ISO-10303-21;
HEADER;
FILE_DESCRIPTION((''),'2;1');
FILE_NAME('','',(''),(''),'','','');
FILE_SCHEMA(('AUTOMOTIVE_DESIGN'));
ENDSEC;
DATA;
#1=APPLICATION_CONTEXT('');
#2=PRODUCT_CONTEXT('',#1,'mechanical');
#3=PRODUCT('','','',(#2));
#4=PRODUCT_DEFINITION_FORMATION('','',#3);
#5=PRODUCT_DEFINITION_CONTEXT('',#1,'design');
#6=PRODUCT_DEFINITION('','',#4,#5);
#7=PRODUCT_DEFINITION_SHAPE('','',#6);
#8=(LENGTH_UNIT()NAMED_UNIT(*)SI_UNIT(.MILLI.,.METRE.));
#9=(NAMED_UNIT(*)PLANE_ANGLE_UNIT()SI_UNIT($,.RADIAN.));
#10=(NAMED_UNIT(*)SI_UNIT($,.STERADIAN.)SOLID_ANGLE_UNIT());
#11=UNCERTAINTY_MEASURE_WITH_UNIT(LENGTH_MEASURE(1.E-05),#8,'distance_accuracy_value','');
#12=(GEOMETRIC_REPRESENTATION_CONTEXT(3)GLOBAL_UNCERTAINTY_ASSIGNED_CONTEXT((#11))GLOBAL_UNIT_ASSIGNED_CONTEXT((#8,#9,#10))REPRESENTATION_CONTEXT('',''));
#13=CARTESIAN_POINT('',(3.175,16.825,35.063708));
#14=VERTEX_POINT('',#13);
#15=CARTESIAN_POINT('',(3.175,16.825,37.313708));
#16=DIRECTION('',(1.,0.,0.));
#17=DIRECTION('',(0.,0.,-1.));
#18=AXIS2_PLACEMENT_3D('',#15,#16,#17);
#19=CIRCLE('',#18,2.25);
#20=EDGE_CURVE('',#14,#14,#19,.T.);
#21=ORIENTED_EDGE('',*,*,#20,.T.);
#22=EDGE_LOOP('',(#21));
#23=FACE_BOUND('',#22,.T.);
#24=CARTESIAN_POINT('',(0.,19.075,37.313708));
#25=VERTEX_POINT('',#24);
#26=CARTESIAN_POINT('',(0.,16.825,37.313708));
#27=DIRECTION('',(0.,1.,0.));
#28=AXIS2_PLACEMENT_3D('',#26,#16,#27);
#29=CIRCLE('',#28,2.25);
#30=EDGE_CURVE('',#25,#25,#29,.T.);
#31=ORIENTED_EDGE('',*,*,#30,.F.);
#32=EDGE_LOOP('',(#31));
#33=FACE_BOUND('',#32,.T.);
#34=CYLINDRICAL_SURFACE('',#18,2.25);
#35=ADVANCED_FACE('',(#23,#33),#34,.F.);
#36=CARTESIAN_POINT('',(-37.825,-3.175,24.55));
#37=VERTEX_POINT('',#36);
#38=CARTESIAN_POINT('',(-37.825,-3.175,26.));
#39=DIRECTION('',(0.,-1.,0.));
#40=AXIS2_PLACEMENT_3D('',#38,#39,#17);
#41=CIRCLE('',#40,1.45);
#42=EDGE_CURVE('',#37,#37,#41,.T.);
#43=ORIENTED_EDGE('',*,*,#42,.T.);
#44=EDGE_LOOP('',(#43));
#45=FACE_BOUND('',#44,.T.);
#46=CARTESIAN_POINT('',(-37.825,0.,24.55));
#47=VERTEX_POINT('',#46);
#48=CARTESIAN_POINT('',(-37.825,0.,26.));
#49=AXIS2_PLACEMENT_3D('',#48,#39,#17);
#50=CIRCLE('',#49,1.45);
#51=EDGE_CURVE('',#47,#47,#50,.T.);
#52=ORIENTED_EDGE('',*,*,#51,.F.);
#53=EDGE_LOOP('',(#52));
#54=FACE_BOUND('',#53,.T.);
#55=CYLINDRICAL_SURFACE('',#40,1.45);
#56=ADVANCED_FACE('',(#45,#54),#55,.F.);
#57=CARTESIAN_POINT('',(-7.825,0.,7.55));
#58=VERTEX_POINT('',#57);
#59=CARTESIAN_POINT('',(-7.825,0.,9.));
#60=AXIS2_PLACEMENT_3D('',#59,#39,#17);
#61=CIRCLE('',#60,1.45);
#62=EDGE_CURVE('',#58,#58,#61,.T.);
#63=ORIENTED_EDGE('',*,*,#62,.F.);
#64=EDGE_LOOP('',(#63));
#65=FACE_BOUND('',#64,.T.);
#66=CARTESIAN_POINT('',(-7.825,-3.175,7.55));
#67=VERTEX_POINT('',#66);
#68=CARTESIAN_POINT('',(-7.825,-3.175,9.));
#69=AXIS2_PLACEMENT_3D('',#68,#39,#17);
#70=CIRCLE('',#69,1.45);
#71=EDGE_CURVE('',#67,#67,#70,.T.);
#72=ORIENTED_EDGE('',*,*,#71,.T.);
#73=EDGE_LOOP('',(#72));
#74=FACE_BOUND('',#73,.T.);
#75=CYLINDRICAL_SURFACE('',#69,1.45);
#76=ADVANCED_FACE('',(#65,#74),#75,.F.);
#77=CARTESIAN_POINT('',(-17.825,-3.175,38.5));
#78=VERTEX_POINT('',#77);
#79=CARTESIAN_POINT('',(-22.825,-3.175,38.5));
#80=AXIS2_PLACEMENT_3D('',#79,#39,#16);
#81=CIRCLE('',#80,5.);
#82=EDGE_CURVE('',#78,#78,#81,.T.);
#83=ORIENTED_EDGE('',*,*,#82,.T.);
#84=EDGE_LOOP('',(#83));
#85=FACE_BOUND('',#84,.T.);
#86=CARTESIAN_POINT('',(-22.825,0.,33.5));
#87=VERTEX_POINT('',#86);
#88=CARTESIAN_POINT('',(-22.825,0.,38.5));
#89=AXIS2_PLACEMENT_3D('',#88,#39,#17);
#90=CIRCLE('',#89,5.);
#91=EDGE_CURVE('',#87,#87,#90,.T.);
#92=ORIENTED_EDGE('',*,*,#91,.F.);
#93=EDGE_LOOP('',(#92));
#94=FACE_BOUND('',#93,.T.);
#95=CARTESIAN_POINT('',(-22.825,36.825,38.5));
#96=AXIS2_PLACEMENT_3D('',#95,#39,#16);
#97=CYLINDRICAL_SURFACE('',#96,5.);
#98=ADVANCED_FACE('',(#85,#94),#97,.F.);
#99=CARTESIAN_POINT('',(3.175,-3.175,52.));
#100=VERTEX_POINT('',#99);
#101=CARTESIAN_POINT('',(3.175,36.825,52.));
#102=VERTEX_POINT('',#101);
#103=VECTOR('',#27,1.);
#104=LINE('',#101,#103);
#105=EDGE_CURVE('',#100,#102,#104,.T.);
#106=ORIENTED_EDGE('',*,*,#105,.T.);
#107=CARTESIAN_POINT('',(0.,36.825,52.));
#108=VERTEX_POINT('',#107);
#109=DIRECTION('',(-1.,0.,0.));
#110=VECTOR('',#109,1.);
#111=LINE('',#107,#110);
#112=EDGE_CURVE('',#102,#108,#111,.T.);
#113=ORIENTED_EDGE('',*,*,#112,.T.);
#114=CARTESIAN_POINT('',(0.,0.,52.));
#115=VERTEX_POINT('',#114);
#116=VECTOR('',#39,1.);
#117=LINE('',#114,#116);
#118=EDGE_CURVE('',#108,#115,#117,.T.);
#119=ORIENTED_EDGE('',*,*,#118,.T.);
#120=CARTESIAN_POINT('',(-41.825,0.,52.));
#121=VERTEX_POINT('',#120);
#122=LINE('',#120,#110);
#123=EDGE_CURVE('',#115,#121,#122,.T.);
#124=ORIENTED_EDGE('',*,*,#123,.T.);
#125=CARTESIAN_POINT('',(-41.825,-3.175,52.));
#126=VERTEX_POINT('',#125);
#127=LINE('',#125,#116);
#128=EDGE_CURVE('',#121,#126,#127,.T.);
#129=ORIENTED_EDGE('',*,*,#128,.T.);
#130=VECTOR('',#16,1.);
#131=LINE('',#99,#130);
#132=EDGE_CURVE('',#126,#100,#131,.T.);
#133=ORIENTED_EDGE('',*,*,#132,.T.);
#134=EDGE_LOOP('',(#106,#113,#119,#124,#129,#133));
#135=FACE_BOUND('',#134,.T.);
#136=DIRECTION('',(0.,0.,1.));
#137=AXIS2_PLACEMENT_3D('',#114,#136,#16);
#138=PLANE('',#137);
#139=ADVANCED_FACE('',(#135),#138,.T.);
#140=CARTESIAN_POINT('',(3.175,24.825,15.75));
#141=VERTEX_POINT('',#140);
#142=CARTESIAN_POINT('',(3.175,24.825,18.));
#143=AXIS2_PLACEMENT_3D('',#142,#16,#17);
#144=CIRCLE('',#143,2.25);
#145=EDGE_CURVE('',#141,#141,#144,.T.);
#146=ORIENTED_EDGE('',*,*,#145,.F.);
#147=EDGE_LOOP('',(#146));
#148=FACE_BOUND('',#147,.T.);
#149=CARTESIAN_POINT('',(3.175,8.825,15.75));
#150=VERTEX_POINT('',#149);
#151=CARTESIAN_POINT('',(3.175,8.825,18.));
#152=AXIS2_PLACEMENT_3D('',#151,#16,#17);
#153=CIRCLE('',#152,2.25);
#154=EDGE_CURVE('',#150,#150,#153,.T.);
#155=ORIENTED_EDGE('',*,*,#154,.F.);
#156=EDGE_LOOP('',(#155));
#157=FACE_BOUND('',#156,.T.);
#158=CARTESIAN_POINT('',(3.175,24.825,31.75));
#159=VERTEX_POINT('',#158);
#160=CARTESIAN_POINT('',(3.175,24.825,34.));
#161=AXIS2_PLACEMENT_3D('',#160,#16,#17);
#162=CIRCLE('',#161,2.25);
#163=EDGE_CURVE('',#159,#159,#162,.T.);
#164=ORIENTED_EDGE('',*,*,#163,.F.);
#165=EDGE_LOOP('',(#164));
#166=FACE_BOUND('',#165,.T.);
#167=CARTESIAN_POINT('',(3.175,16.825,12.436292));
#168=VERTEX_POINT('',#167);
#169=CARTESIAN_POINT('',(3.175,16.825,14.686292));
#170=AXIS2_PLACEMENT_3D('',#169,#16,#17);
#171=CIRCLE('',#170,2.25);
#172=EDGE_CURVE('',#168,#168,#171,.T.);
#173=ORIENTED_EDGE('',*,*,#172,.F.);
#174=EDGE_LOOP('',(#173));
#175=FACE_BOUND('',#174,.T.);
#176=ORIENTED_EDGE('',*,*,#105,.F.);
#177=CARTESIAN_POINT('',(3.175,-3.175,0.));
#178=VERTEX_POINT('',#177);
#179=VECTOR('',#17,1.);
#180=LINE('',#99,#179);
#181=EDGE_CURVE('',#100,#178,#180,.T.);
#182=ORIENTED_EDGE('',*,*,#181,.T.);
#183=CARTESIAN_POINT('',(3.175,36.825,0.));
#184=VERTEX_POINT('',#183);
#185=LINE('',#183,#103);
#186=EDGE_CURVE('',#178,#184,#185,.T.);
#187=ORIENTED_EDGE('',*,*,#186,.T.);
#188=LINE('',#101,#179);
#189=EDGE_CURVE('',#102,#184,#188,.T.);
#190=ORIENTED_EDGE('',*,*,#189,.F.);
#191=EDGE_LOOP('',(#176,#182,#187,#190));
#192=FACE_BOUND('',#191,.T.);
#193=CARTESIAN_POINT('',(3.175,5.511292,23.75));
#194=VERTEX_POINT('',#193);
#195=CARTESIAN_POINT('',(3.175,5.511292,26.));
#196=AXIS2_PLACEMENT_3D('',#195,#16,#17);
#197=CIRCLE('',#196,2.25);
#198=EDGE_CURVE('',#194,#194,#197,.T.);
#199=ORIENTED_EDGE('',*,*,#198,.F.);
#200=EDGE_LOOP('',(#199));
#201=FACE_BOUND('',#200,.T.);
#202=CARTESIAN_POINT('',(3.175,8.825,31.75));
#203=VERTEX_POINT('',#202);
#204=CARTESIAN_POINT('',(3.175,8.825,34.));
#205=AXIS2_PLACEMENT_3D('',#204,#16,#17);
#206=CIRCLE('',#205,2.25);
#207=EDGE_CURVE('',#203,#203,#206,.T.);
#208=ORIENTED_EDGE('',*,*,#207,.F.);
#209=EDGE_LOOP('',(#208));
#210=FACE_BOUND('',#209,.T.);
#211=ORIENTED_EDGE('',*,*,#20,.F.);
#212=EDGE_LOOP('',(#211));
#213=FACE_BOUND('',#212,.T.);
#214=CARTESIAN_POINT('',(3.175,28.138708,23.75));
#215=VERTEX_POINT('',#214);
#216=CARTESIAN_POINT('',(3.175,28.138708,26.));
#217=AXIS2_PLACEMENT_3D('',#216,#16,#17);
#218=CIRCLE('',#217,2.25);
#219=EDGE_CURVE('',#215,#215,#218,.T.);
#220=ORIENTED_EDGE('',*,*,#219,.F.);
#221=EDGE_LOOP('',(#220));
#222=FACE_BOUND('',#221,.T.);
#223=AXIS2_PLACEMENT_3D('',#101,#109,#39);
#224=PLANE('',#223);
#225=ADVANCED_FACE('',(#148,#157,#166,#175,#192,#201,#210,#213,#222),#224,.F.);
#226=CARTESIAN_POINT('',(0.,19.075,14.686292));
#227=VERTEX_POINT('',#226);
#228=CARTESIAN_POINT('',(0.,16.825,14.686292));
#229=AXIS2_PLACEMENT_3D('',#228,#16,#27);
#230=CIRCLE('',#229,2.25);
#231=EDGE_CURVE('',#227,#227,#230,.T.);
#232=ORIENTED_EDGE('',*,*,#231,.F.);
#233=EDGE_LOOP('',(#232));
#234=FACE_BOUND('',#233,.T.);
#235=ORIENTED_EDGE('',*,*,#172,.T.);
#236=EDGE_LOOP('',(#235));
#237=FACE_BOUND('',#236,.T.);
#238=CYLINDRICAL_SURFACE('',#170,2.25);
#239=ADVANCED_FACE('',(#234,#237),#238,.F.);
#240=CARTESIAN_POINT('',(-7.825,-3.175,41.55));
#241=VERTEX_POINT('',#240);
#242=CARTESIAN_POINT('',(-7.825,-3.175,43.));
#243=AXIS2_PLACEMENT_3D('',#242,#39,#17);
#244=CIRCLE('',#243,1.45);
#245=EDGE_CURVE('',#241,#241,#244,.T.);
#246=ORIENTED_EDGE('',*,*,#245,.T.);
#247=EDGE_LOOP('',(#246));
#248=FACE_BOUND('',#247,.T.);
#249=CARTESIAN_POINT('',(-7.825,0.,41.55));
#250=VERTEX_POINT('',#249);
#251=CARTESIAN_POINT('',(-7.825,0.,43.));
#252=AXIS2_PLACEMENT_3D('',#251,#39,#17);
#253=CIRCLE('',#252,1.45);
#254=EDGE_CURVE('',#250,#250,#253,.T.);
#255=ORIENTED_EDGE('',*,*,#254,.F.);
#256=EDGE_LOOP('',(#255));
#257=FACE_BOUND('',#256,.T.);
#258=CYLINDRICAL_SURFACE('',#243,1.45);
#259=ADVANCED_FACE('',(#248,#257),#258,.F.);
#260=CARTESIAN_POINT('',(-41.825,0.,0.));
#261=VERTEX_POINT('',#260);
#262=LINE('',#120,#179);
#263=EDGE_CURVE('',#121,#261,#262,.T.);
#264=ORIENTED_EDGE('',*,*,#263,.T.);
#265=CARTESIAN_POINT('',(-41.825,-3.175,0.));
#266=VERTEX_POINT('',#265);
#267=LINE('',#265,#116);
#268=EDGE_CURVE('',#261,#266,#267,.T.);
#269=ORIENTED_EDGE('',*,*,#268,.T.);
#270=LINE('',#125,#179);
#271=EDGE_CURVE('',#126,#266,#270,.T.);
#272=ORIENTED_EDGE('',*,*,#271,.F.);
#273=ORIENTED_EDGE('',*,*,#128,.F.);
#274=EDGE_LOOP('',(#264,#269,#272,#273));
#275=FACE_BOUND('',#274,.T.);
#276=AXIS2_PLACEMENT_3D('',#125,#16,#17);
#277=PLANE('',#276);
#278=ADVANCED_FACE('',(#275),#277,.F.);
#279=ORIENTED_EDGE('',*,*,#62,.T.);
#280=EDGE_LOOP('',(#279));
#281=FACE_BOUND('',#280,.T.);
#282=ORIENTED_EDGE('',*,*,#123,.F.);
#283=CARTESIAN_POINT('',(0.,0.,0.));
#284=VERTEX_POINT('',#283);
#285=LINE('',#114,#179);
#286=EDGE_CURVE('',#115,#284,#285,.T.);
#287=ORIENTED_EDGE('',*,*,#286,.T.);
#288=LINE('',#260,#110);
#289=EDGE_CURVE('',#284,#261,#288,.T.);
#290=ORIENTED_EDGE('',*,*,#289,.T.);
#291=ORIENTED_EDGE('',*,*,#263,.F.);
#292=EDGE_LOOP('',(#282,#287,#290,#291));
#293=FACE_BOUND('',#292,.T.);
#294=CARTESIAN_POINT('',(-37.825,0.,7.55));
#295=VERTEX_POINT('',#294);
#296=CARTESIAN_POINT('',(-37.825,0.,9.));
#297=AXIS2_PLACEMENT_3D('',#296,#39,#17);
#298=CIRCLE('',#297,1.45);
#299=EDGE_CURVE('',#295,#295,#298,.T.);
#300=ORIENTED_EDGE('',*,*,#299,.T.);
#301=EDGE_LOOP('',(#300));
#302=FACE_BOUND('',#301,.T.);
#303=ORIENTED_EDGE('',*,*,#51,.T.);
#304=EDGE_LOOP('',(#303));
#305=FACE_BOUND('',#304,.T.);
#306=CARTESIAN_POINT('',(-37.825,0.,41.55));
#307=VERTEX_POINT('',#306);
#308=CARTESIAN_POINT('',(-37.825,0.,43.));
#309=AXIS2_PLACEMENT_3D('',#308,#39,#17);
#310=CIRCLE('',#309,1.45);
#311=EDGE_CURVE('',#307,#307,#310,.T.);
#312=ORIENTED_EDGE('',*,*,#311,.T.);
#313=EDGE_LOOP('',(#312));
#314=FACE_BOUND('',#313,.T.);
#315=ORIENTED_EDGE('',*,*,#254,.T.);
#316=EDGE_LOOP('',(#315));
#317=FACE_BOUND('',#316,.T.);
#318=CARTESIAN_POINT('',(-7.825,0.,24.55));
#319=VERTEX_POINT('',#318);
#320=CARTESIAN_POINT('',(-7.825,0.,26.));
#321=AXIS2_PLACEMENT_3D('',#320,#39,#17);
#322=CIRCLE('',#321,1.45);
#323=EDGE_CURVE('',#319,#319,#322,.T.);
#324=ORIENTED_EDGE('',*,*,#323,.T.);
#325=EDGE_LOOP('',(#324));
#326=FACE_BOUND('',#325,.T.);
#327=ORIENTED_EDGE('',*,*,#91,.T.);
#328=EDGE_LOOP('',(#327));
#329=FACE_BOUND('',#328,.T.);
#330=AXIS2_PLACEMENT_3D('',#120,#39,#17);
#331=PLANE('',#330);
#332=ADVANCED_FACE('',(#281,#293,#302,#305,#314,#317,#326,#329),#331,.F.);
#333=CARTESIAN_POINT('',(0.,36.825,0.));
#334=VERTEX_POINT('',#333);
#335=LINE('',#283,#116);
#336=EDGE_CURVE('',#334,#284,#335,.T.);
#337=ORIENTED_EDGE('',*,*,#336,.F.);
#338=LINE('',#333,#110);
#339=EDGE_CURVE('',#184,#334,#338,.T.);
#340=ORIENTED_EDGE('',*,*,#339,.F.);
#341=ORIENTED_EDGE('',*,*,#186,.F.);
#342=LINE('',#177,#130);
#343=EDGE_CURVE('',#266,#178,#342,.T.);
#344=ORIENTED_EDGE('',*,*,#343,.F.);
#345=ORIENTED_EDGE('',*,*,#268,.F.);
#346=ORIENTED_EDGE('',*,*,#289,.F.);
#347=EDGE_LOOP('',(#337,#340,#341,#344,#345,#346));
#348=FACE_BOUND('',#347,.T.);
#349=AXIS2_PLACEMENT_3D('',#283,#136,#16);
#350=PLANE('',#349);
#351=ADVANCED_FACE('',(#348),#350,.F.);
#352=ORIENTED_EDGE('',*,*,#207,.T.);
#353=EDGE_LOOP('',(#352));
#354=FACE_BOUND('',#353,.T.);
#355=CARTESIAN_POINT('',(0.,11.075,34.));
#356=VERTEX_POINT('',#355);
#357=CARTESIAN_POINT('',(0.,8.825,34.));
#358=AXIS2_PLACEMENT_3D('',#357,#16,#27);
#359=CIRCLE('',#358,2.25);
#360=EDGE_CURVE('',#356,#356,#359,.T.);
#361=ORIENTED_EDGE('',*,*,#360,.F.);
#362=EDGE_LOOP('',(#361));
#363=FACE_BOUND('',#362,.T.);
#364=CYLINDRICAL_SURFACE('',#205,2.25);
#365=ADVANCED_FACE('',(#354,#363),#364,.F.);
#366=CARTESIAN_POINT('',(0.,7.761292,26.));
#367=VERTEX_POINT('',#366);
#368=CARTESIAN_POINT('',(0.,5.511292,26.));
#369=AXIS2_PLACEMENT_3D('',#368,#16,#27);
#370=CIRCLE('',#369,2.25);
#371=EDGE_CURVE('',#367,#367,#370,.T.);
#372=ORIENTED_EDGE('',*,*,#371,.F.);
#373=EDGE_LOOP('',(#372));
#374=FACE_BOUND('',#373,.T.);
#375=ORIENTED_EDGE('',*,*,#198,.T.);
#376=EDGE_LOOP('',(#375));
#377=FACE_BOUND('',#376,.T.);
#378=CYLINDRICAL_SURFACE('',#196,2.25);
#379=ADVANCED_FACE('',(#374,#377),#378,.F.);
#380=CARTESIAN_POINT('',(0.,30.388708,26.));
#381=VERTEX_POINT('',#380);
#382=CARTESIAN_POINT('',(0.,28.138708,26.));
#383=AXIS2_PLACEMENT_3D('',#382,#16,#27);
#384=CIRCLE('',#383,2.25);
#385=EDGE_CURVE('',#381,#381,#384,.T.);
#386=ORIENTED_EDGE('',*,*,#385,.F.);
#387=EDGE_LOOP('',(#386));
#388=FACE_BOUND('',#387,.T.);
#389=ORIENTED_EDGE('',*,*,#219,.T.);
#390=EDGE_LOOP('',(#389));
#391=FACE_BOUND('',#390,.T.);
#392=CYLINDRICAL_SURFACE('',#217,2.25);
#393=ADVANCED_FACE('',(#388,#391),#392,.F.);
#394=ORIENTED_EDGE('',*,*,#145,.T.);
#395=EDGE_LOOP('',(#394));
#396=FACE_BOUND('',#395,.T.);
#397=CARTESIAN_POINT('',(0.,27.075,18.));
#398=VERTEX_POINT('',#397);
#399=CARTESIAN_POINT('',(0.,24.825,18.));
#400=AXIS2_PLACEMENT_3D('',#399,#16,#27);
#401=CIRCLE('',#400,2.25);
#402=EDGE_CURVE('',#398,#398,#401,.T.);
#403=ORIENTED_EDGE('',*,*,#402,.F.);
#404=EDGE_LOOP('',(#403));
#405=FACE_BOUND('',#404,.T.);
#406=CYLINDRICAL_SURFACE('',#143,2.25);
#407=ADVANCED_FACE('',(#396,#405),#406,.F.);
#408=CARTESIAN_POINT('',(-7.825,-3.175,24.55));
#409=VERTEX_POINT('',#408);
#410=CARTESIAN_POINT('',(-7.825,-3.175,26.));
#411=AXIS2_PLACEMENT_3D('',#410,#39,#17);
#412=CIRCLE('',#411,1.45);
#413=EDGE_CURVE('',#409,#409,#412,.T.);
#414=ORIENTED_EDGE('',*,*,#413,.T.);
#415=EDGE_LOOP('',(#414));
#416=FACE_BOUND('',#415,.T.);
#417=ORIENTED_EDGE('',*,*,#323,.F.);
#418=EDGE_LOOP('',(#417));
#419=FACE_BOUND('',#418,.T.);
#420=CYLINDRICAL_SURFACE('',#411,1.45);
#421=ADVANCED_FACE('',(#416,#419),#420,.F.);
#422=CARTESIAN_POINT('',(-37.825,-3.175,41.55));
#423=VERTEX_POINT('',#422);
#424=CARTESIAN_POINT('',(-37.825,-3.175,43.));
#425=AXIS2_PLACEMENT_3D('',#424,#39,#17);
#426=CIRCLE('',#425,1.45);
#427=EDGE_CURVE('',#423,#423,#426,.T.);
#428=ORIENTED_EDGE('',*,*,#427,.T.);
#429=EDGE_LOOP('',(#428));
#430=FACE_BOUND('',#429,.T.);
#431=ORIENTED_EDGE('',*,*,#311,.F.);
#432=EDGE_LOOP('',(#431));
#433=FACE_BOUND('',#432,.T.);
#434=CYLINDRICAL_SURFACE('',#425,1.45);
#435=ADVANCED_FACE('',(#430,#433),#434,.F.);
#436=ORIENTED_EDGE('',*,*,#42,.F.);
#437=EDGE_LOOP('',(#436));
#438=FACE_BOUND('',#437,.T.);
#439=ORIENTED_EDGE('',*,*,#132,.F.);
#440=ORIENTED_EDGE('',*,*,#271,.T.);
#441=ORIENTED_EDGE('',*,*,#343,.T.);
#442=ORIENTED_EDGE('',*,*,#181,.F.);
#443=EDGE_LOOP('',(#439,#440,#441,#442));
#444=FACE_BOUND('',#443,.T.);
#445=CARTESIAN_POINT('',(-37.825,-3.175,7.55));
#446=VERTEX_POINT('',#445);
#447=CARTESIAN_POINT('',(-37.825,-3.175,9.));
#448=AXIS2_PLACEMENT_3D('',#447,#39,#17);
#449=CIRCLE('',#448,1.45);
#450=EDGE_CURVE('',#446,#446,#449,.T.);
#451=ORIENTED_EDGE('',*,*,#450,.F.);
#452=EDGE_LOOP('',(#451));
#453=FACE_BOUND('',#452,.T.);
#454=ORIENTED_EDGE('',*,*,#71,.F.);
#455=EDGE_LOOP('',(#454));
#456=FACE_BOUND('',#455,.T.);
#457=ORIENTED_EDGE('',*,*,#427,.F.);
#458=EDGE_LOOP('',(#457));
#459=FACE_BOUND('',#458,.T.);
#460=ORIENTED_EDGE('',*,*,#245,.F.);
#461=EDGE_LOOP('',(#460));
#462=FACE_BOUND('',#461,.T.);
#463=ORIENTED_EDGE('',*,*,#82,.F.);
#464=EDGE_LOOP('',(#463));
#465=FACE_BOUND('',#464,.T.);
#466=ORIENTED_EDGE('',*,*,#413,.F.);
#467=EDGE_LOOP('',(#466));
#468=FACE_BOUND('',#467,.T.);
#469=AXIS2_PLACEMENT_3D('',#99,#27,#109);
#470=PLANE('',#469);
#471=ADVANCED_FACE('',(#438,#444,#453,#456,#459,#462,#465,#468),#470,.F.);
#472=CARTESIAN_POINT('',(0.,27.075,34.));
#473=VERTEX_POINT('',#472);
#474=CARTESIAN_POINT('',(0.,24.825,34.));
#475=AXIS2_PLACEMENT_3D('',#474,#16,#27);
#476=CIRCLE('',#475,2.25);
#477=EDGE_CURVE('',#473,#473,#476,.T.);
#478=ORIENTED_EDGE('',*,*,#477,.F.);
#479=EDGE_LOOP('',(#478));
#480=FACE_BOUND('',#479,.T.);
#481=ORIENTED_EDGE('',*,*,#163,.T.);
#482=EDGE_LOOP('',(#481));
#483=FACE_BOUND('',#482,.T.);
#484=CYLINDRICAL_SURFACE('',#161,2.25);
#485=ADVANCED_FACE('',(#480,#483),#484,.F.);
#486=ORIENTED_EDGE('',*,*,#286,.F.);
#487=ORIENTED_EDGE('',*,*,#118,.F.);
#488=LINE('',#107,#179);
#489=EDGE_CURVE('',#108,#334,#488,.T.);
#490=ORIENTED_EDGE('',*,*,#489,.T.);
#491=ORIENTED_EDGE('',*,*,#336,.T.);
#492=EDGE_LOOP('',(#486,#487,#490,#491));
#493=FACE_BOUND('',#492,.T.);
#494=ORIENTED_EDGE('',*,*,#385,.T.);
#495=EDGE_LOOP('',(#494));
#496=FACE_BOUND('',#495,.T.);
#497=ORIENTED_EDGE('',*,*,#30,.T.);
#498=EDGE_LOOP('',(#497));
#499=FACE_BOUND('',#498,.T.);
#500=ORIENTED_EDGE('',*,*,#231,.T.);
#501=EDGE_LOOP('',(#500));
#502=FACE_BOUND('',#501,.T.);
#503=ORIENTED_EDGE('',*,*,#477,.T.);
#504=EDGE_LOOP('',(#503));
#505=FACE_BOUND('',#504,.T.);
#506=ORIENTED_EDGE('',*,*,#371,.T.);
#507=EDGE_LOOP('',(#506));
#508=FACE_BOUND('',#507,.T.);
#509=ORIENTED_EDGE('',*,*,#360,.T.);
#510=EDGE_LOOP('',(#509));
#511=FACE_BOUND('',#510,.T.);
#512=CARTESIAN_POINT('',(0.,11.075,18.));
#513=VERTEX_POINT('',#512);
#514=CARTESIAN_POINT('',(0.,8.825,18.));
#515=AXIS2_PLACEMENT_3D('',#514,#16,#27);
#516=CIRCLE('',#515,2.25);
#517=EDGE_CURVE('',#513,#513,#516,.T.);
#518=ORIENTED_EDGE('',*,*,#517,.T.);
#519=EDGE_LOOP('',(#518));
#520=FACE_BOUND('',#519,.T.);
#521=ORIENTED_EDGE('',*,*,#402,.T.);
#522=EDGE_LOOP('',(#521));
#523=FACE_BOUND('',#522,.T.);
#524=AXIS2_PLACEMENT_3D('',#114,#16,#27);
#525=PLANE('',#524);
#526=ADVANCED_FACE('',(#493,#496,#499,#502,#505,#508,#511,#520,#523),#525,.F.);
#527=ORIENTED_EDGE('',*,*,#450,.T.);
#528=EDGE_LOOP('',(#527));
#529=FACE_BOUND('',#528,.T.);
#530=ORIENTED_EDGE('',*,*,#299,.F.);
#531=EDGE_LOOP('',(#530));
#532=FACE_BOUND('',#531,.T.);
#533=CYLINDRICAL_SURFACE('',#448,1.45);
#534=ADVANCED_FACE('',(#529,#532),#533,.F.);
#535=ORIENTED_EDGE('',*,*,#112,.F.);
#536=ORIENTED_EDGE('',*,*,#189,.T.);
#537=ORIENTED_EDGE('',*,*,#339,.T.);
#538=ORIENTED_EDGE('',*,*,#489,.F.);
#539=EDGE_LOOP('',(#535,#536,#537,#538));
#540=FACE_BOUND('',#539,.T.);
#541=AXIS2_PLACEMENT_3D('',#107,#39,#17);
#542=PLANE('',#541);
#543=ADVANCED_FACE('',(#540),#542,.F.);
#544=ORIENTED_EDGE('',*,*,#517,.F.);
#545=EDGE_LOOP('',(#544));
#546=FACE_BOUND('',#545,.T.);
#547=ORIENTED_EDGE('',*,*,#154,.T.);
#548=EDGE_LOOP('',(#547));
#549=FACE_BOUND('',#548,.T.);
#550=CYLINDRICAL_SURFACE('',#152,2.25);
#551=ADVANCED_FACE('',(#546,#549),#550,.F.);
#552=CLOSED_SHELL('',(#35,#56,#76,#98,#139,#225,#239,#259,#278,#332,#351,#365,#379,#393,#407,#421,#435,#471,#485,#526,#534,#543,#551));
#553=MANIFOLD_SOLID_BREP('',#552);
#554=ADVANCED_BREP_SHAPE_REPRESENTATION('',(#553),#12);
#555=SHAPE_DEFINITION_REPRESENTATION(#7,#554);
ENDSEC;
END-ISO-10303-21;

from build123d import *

# Parameters (mm, degrees)
BOSS_EXTRUDE1_DEPTH    = 52
SKETCH3_R              = 5
CUT_EXTRUDE2_DEPTH     = 78.803153053
M2_5_CLEARANCE_HOLE1_D = 2.9
M4_CLEARANCE_HOLE1_D   = 4.5


with BuildPart() as part:
    # Sketch1 → Boss-Extrude1 (new body)
    with BuildSketch(Plane.XY):
        Polygon((0, 0), (0, 36.825), (3.175, 36.825), (3.175, -3.175), (-41.825, -3.175), (-41.825, 0), align=None)
    extrude(amount=BOSS_EXTRUDE1_DEPTH)

    # Sketch3 → Cut-Extrude2 (cut, through all)
    with BuildSketch(Plane(origin=(0, -3.175, 0), x_dir=(-1, 0, 0), z_dir=(0, -1, 0))):
        with Locations(Location((22.825, -38.5, 0), (0, 0, 180))):
            Circle(SKETCH3_R)
    extrude(amount=-CUT_EXTRUDE2_DEPTH, mode=Mode.SUBTRACT)

    # M2.5 Clearance Hole1 (through all)
    with Locations(Plane(origin=(0, -3.175, 0), x_dir=(-1, 0, 0), z_dir=(0, -1, 0))):
        with Locations((7.825, -9), (37.825, -9), (7.825, -26), (37.825, -26), (37.825, -43), (7.825, -43)):
            Hole(M2_5_CLEARANCE_HOLE1_D / 2)

    # M4 Clearance Hole1 (through all)
    with Locations(Plane(origin=(3.175, 0, 0), x_dir=(0, 0, -1), z_dir=(1, 0, 0))):
        with Locations((-26, 28.138708499), (-18, 24.825), (-14.686291501, 16.825), (-18, 8.825), (-26, 5.511291501), (-34, 8.825), (-37.313708499, 16.825), (-34, 24.825)):
            Hole(M4_CLEARANCE_HOLE1_D / 2)


solid = part.part
